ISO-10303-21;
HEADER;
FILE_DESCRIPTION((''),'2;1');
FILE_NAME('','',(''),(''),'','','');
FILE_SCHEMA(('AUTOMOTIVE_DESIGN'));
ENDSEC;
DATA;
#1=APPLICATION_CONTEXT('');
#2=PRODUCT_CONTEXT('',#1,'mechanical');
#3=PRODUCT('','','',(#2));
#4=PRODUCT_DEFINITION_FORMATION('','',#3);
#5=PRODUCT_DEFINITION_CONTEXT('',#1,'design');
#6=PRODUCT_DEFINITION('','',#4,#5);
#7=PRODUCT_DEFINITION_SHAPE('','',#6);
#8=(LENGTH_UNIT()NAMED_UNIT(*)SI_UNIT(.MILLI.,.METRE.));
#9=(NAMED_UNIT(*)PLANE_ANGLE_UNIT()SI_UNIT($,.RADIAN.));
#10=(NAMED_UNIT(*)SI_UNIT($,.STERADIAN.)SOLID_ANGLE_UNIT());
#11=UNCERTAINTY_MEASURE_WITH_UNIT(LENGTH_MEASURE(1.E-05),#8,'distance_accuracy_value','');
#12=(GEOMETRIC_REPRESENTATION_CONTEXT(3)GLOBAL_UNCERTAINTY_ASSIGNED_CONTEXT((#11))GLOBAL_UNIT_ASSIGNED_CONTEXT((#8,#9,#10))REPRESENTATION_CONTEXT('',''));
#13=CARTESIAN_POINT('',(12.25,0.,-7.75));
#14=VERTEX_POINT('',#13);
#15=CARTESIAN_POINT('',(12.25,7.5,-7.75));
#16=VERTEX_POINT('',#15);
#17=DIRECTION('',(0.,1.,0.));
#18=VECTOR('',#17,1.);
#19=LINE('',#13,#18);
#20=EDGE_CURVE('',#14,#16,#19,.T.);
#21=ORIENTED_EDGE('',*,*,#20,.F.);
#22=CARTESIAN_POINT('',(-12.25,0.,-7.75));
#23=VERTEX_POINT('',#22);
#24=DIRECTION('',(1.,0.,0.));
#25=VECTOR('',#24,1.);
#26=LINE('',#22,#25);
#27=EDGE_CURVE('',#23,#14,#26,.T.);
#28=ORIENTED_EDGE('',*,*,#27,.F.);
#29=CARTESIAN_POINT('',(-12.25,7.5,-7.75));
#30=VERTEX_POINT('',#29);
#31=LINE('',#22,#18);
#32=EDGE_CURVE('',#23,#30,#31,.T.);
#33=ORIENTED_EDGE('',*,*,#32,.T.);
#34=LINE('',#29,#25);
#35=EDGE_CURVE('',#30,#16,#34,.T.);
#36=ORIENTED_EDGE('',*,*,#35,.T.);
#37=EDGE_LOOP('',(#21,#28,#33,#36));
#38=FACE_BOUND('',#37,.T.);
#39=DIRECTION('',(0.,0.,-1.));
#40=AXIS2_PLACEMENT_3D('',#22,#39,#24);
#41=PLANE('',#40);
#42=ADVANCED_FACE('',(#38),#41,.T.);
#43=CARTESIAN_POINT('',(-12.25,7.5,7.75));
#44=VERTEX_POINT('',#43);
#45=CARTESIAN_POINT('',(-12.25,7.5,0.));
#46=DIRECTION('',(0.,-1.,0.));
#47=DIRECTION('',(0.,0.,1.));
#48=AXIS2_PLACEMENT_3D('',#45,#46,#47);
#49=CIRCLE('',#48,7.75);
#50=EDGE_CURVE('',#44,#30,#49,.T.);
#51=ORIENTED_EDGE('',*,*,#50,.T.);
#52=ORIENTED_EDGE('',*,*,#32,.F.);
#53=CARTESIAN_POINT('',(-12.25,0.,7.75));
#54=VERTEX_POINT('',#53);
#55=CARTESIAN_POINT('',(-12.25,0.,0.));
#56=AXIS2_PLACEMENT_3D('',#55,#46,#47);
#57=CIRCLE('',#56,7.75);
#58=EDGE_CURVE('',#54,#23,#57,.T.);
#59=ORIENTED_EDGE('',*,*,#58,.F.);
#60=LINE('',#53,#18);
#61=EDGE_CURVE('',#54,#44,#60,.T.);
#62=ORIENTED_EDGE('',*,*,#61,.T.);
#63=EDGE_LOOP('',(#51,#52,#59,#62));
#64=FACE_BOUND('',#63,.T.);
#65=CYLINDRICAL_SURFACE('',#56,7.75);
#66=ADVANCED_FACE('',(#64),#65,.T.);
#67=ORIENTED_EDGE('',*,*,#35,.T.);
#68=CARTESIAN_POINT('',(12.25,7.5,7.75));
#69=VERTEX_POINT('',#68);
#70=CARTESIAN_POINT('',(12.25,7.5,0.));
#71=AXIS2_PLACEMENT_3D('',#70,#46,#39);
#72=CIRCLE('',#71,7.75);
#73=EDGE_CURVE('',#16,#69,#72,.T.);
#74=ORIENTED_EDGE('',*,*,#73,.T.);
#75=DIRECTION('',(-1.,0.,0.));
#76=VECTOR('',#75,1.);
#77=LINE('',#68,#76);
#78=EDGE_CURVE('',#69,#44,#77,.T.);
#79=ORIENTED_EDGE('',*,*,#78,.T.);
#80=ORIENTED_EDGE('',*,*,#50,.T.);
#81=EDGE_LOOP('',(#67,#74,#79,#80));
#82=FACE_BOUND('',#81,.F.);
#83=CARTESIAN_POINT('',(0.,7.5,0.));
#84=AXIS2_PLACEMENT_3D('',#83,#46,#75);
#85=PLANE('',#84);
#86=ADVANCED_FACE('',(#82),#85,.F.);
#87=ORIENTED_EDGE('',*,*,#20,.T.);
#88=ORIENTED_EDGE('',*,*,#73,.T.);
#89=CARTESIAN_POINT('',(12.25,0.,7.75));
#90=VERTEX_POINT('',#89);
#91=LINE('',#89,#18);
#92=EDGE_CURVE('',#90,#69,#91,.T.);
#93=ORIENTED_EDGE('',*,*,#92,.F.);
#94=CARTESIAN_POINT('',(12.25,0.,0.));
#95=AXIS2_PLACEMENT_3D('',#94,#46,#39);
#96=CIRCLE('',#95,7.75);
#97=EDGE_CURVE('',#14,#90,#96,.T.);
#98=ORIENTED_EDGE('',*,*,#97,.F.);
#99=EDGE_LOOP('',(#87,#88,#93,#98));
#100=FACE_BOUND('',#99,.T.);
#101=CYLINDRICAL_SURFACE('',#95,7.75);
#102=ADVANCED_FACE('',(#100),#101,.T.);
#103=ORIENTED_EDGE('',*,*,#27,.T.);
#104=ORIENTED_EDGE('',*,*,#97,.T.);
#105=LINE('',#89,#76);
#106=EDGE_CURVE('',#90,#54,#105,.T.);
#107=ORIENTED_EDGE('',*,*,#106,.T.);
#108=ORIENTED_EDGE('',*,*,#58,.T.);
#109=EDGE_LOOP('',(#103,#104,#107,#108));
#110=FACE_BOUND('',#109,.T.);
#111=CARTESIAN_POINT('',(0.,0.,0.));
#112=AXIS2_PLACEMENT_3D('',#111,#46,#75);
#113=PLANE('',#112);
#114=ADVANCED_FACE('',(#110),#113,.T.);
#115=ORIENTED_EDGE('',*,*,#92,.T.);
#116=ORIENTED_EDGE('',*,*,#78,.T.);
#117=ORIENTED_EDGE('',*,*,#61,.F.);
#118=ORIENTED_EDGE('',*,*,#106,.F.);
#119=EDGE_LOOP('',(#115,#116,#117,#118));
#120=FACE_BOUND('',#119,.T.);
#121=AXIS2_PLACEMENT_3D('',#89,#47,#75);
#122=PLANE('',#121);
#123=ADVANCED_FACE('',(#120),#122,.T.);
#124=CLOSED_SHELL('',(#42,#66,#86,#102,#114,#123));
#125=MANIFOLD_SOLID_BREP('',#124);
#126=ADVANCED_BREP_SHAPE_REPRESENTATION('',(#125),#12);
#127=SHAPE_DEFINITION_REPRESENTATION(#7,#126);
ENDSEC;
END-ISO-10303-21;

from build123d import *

# Parameters (mm, degrees)
BOSS_EXTRUDE1_DEPTH = 7.5


with BuildPart() as part:
    # Sketch1 → Boss-Extrude1 (new body)
    with BuildSketch(Plane(origin=(0, 0, 0), x_dir=(1, 0, 0), z_dir=(0, 1, 0))):
        with BuildLine():
            Line((-12.25, 7.75), (12.25, 7.75))
            ThreePointArc((12.25, 7.75), (20, 0), (12.25, -7.75))
            Line((12.25, -7.75), (-12.25, -7.75))
            ThreePointArc((-12.25, -7.75), (-20, 0), (-12.25, 7.75))
        make_face()
    extrude(amount=BOSS_EXTRUDE1_DEPTH)


solid = part.part
